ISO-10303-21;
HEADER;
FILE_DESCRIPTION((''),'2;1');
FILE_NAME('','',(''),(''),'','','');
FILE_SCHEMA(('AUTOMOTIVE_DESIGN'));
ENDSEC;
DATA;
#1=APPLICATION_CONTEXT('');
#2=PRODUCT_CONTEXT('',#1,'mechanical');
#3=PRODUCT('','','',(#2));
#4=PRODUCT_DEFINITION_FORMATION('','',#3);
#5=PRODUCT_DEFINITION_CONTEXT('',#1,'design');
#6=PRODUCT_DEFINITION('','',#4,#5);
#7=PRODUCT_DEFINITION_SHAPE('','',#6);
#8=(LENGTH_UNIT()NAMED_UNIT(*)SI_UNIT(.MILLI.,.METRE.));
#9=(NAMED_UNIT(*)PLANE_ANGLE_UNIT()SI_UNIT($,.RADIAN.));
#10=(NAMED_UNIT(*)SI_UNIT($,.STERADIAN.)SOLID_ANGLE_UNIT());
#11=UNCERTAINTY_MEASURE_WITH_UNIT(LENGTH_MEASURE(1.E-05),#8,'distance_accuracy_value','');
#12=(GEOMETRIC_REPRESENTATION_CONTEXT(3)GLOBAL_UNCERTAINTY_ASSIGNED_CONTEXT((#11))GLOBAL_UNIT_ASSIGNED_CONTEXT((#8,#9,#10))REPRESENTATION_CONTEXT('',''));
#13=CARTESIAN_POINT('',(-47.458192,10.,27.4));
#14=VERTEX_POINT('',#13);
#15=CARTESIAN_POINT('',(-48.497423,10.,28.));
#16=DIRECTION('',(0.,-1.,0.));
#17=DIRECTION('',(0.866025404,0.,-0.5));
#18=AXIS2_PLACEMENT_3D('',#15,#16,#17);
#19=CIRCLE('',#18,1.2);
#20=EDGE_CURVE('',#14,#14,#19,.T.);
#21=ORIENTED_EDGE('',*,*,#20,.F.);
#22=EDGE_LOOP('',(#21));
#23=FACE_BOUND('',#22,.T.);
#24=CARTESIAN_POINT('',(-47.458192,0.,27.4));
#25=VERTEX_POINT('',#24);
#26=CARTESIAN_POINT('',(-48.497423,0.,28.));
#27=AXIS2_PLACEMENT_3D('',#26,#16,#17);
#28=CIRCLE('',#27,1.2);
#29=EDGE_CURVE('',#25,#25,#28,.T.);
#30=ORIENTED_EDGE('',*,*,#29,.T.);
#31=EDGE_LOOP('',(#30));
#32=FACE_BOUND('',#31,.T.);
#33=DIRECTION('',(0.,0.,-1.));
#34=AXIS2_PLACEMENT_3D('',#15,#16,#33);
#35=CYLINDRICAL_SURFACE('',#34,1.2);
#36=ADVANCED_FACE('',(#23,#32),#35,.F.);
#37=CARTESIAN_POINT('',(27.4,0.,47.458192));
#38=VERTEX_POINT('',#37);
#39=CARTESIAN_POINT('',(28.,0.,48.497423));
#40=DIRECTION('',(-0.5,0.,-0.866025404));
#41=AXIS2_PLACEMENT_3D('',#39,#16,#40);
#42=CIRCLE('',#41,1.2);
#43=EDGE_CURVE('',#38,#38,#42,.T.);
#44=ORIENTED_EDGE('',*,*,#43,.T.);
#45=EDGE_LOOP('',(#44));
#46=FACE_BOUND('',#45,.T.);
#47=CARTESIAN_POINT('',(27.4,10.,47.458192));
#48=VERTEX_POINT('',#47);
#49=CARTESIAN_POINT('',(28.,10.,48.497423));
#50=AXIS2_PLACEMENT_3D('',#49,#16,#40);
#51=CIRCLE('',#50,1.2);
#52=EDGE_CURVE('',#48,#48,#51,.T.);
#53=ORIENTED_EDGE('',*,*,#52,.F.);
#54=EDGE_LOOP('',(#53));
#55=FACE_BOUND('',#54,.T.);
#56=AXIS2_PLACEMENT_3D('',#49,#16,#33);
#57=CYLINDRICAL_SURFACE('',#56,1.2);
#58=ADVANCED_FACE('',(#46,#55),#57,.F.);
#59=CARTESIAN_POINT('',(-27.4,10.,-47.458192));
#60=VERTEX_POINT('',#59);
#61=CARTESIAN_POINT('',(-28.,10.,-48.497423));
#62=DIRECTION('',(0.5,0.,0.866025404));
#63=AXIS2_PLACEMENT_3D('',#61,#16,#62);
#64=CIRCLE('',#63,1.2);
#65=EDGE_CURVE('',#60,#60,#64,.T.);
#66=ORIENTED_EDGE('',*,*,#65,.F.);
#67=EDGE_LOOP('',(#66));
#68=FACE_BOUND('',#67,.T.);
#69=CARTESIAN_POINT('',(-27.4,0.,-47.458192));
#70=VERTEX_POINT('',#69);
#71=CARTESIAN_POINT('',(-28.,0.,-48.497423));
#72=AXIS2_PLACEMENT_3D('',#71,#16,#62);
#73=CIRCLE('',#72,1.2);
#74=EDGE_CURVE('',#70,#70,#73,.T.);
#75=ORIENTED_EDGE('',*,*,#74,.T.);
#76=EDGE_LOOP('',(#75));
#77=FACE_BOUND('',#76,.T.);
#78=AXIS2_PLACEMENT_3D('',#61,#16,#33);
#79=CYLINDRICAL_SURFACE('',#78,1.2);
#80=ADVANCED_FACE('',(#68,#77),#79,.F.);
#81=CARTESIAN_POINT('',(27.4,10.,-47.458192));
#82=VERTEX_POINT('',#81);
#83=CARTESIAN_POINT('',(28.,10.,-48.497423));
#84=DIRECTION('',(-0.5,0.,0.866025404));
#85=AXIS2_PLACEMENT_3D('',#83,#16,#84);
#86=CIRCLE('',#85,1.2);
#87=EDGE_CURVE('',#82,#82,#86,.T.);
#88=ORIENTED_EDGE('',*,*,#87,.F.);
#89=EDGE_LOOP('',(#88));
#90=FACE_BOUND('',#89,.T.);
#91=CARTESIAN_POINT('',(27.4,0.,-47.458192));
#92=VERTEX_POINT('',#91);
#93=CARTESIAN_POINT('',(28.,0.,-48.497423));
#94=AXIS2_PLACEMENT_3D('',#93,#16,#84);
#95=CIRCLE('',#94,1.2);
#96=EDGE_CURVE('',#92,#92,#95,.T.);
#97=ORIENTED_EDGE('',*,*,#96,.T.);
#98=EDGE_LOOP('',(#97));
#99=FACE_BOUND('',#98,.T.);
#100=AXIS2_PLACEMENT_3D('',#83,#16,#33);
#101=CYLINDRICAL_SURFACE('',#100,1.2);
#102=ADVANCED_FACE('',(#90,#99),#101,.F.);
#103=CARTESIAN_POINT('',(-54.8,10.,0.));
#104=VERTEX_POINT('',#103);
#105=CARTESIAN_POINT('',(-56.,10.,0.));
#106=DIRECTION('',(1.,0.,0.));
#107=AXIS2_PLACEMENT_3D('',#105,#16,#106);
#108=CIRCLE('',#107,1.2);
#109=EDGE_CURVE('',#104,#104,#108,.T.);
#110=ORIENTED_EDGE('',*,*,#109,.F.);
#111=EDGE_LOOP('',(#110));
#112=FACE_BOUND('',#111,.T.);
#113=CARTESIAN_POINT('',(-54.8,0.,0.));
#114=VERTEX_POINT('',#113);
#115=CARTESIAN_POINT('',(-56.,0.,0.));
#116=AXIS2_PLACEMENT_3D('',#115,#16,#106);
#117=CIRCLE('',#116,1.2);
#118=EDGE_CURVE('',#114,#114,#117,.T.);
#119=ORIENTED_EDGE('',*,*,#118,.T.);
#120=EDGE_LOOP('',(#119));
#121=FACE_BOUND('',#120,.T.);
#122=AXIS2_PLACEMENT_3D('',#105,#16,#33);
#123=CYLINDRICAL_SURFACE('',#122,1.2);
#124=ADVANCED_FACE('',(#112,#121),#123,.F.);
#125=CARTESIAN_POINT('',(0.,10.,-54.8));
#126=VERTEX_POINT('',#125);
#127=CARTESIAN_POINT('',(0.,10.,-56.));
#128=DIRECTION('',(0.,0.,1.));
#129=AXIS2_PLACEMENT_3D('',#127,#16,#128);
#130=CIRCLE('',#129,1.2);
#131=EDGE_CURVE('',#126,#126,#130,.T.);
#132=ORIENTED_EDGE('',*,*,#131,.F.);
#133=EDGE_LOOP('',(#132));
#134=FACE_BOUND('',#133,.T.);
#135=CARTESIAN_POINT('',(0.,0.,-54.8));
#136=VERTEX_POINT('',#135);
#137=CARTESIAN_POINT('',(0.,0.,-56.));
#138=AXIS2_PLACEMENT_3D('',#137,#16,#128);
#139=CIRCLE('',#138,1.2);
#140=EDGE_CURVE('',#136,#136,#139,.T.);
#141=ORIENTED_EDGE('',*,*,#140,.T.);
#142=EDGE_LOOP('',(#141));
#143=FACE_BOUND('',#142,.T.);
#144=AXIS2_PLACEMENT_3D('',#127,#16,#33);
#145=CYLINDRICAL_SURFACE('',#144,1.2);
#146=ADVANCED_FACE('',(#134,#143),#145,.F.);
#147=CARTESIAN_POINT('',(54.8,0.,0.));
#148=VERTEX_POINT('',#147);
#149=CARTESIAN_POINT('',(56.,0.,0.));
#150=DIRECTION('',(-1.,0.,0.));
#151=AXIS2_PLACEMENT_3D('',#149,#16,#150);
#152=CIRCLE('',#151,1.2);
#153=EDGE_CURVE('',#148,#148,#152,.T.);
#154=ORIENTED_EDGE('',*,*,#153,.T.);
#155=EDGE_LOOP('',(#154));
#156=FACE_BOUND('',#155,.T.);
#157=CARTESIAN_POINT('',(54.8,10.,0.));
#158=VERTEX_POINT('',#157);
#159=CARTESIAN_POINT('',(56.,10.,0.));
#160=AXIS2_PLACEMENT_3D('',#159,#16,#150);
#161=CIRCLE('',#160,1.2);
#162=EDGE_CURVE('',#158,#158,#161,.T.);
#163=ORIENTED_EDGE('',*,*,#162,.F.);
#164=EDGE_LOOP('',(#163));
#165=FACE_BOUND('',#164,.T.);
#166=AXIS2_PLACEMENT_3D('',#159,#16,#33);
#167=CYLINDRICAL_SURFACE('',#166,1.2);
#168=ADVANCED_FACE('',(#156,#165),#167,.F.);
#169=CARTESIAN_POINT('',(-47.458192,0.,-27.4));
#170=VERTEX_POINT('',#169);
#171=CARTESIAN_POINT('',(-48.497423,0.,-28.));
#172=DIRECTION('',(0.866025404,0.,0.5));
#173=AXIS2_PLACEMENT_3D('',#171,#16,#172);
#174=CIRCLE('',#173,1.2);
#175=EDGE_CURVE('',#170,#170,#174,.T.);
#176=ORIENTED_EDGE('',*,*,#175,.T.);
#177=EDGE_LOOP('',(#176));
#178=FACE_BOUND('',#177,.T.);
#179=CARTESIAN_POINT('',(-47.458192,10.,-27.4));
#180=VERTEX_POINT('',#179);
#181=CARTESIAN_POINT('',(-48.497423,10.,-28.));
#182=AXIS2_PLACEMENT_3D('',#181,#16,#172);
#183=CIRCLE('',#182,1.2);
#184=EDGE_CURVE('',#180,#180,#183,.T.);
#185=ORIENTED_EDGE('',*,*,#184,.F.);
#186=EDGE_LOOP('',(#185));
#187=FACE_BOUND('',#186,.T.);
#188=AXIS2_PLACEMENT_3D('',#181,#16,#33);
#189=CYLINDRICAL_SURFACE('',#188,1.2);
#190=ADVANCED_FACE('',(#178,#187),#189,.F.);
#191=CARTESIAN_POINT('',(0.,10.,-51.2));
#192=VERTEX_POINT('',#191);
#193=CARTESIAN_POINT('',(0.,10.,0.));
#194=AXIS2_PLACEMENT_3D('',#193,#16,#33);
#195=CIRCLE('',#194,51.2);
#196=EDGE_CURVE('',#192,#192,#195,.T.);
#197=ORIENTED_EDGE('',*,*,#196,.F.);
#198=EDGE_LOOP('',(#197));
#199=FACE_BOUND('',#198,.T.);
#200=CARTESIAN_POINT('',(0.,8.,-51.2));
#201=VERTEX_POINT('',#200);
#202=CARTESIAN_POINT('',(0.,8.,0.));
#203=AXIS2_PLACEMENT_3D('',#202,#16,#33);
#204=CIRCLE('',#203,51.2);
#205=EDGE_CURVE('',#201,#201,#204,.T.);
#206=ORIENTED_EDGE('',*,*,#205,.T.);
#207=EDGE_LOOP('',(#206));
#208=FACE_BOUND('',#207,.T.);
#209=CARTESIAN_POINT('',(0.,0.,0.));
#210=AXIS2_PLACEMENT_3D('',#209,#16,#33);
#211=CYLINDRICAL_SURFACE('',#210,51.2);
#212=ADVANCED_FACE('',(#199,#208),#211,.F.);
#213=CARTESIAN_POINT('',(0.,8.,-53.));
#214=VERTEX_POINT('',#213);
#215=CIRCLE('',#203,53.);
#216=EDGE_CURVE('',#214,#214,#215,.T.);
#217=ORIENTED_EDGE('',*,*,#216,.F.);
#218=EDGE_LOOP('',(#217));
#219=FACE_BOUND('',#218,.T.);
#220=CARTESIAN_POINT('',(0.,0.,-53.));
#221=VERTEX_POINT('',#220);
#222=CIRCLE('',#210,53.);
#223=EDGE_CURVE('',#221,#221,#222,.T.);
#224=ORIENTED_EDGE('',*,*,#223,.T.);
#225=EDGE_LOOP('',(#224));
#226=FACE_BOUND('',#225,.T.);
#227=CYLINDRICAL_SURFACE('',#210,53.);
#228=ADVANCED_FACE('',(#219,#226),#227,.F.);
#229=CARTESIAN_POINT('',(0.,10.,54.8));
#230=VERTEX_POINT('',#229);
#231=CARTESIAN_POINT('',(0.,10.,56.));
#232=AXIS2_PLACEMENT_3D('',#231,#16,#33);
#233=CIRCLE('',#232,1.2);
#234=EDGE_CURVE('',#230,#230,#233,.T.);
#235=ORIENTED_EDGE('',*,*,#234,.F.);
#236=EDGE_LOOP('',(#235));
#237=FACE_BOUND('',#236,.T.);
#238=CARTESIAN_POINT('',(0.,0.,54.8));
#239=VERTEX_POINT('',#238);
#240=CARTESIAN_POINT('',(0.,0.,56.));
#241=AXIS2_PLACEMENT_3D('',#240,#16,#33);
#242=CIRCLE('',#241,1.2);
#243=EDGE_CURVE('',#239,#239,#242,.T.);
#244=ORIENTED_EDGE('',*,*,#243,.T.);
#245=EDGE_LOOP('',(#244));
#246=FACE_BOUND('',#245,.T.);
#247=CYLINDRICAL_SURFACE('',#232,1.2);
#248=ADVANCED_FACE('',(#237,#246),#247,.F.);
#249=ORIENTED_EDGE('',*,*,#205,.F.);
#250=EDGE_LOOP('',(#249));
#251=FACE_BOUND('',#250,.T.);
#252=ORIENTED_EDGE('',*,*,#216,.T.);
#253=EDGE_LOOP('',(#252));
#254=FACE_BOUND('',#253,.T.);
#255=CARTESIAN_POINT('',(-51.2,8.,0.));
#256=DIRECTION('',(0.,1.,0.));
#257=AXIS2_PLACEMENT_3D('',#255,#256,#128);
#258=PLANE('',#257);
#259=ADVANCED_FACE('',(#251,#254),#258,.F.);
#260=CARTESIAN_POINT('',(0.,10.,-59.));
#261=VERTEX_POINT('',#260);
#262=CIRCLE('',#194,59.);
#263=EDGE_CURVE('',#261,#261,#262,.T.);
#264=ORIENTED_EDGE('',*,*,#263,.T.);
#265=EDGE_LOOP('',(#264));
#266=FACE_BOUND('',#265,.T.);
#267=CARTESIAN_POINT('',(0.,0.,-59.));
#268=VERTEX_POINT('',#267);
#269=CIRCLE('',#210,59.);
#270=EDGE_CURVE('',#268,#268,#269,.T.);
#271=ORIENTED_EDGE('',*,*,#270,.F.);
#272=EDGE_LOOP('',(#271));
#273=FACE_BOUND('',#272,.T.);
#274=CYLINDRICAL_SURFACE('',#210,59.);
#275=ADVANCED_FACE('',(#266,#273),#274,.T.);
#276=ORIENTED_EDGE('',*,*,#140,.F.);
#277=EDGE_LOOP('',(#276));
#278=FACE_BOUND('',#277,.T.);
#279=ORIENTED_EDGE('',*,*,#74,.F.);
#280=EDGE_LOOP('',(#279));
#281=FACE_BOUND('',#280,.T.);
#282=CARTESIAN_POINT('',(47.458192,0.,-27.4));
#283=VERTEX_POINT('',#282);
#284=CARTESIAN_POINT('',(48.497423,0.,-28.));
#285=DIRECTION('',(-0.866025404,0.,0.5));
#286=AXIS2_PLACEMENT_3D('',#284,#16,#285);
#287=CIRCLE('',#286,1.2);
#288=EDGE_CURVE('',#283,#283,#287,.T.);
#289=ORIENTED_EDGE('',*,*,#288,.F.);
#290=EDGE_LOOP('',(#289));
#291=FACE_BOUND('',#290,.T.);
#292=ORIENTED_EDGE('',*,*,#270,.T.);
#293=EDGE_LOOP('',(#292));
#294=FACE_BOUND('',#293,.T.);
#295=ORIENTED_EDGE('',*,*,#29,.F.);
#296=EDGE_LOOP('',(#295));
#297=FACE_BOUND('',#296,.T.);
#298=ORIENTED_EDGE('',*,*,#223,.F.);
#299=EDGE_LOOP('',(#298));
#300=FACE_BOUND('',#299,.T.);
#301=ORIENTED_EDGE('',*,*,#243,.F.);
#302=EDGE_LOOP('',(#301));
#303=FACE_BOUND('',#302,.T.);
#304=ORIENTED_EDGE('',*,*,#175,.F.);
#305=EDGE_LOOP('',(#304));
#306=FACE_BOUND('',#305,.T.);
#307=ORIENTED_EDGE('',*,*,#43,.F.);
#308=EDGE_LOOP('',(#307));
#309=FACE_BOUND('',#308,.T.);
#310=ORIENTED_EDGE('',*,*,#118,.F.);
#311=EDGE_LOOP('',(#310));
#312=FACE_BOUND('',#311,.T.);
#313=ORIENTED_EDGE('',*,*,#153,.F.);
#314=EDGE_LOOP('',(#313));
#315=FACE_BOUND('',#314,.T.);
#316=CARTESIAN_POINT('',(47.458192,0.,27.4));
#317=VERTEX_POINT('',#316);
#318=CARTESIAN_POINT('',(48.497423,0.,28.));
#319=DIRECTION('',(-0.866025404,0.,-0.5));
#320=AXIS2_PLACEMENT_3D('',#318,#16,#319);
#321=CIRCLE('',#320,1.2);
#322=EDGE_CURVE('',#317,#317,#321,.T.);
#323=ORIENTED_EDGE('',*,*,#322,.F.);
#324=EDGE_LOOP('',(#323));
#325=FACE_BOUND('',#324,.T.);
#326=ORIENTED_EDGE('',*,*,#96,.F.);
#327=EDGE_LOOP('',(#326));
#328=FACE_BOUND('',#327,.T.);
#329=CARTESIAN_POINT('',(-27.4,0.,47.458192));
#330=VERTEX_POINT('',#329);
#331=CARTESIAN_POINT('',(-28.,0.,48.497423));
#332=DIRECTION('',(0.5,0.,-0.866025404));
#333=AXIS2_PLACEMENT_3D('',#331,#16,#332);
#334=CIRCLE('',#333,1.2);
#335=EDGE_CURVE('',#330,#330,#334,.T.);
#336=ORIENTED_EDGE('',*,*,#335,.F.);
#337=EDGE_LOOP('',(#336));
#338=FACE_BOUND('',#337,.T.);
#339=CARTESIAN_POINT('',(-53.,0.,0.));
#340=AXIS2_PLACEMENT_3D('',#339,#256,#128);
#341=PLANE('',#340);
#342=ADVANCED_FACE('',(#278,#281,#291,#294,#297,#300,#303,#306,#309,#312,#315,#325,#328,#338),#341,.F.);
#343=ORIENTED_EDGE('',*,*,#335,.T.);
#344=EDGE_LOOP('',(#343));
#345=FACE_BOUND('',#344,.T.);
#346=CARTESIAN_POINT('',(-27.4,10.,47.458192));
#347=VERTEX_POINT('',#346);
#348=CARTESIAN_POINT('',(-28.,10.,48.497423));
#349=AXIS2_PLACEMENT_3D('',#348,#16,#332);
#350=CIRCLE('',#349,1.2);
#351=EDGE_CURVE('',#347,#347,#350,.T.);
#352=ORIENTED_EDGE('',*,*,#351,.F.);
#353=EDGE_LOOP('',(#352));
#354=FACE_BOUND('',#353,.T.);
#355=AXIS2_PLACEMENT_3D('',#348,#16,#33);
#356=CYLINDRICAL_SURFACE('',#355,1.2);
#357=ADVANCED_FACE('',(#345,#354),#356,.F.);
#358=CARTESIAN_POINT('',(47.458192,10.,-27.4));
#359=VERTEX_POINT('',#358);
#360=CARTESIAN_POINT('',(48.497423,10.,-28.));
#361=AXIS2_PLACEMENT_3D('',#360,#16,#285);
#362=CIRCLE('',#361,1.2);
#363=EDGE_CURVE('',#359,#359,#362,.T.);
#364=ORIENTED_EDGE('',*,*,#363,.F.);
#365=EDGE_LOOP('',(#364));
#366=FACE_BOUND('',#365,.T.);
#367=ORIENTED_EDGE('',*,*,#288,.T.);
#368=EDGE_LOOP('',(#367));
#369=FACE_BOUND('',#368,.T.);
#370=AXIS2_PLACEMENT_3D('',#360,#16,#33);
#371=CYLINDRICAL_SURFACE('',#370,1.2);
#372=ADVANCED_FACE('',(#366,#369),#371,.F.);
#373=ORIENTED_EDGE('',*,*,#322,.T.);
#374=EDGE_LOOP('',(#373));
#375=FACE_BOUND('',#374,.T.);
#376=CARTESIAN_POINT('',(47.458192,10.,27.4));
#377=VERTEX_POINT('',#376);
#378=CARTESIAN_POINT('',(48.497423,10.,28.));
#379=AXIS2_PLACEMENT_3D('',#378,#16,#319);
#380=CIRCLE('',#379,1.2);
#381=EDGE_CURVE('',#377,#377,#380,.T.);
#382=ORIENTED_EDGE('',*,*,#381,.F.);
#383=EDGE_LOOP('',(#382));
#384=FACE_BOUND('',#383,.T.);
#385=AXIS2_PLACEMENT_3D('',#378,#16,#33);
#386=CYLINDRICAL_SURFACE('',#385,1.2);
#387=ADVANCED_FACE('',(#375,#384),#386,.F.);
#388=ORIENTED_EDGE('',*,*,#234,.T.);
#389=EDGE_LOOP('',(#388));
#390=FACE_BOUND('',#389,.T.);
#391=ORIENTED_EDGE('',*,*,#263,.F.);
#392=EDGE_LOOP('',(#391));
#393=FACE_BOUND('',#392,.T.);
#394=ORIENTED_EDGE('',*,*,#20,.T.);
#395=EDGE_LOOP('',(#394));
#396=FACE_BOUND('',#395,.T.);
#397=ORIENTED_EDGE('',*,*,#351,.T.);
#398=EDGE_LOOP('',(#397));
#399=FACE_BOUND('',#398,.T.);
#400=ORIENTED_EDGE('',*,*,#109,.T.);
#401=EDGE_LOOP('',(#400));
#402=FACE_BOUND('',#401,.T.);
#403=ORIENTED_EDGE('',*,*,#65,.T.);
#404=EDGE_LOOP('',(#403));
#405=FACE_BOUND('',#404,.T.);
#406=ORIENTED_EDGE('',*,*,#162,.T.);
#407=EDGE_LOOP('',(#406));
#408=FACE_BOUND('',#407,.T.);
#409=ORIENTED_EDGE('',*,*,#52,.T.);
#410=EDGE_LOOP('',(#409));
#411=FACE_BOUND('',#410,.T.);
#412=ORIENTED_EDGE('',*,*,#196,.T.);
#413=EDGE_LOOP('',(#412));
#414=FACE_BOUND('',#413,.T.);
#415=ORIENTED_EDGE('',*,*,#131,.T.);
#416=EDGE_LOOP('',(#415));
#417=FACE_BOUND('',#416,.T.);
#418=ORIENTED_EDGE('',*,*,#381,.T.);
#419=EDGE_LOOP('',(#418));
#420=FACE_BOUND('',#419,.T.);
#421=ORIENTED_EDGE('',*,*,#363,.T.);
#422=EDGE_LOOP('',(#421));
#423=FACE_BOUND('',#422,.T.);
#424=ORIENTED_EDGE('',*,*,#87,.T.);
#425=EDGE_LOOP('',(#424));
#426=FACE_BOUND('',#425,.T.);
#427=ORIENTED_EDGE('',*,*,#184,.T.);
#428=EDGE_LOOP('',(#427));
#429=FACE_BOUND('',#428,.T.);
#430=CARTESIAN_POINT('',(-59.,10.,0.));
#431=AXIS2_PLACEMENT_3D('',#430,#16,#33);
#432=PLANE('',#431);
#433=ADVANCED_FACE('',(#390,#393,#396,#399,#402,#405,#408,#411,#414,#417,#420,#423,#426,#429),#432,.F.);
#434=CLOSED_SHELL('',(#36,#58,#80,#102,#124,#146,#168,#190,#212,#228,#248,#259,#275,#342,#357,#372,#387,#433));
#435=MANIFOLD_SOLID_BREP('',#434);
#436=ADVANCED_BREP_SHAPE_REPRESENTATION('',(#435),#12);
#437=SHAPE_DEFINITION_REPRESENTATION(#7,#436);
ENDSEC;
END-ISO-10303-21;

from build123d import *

# Parameters (mm, degrees)
SKETCH_2_R               = 1.2
CUT_EXTRUDE_1_DEPTH      = 10
PATTERN_CIRCULAR_1_COUNT = 12


with BuildPart() as part:
    # 草图1 → 旋转1 (revolve)
    with BuildSketch(Plane.XY):
        Polygon((-53, 0), (-59, 0), (-59, 10), (-51.2, 10), (-51.2, 8), (-53, 8), align=None)
    revolve(axis=Axis((0, 0, 0), (0, 1, 0)))

    # 草图2 → 切除-拉伸1 (cut)
    with BuildSketch(Plane.XZ):
        with Locations((0, 56)):
            Circle(SKETCH_2_R)
    cut_extrude_1 = extrude(amount=-CUT_EXTRUDE_1_DEPTH, mode=Mode.SUBTRACT)

    # 阵列(圆周)1: 切除-拉伸1 ×12 about axis
    pattern_circular_1_axis = Axis((0, 0, 0), (0, 1, 0))
    for i in range(1, PATTERN_CIRCULAR_1_COUNT):
        add(cut_extrude_1.rotate(pattern_circular_1_axis, i * 360 / PATTERN_CIRCULAR_1_COUNT), mode=Mode.SUBTRACT)


solid = part.part
